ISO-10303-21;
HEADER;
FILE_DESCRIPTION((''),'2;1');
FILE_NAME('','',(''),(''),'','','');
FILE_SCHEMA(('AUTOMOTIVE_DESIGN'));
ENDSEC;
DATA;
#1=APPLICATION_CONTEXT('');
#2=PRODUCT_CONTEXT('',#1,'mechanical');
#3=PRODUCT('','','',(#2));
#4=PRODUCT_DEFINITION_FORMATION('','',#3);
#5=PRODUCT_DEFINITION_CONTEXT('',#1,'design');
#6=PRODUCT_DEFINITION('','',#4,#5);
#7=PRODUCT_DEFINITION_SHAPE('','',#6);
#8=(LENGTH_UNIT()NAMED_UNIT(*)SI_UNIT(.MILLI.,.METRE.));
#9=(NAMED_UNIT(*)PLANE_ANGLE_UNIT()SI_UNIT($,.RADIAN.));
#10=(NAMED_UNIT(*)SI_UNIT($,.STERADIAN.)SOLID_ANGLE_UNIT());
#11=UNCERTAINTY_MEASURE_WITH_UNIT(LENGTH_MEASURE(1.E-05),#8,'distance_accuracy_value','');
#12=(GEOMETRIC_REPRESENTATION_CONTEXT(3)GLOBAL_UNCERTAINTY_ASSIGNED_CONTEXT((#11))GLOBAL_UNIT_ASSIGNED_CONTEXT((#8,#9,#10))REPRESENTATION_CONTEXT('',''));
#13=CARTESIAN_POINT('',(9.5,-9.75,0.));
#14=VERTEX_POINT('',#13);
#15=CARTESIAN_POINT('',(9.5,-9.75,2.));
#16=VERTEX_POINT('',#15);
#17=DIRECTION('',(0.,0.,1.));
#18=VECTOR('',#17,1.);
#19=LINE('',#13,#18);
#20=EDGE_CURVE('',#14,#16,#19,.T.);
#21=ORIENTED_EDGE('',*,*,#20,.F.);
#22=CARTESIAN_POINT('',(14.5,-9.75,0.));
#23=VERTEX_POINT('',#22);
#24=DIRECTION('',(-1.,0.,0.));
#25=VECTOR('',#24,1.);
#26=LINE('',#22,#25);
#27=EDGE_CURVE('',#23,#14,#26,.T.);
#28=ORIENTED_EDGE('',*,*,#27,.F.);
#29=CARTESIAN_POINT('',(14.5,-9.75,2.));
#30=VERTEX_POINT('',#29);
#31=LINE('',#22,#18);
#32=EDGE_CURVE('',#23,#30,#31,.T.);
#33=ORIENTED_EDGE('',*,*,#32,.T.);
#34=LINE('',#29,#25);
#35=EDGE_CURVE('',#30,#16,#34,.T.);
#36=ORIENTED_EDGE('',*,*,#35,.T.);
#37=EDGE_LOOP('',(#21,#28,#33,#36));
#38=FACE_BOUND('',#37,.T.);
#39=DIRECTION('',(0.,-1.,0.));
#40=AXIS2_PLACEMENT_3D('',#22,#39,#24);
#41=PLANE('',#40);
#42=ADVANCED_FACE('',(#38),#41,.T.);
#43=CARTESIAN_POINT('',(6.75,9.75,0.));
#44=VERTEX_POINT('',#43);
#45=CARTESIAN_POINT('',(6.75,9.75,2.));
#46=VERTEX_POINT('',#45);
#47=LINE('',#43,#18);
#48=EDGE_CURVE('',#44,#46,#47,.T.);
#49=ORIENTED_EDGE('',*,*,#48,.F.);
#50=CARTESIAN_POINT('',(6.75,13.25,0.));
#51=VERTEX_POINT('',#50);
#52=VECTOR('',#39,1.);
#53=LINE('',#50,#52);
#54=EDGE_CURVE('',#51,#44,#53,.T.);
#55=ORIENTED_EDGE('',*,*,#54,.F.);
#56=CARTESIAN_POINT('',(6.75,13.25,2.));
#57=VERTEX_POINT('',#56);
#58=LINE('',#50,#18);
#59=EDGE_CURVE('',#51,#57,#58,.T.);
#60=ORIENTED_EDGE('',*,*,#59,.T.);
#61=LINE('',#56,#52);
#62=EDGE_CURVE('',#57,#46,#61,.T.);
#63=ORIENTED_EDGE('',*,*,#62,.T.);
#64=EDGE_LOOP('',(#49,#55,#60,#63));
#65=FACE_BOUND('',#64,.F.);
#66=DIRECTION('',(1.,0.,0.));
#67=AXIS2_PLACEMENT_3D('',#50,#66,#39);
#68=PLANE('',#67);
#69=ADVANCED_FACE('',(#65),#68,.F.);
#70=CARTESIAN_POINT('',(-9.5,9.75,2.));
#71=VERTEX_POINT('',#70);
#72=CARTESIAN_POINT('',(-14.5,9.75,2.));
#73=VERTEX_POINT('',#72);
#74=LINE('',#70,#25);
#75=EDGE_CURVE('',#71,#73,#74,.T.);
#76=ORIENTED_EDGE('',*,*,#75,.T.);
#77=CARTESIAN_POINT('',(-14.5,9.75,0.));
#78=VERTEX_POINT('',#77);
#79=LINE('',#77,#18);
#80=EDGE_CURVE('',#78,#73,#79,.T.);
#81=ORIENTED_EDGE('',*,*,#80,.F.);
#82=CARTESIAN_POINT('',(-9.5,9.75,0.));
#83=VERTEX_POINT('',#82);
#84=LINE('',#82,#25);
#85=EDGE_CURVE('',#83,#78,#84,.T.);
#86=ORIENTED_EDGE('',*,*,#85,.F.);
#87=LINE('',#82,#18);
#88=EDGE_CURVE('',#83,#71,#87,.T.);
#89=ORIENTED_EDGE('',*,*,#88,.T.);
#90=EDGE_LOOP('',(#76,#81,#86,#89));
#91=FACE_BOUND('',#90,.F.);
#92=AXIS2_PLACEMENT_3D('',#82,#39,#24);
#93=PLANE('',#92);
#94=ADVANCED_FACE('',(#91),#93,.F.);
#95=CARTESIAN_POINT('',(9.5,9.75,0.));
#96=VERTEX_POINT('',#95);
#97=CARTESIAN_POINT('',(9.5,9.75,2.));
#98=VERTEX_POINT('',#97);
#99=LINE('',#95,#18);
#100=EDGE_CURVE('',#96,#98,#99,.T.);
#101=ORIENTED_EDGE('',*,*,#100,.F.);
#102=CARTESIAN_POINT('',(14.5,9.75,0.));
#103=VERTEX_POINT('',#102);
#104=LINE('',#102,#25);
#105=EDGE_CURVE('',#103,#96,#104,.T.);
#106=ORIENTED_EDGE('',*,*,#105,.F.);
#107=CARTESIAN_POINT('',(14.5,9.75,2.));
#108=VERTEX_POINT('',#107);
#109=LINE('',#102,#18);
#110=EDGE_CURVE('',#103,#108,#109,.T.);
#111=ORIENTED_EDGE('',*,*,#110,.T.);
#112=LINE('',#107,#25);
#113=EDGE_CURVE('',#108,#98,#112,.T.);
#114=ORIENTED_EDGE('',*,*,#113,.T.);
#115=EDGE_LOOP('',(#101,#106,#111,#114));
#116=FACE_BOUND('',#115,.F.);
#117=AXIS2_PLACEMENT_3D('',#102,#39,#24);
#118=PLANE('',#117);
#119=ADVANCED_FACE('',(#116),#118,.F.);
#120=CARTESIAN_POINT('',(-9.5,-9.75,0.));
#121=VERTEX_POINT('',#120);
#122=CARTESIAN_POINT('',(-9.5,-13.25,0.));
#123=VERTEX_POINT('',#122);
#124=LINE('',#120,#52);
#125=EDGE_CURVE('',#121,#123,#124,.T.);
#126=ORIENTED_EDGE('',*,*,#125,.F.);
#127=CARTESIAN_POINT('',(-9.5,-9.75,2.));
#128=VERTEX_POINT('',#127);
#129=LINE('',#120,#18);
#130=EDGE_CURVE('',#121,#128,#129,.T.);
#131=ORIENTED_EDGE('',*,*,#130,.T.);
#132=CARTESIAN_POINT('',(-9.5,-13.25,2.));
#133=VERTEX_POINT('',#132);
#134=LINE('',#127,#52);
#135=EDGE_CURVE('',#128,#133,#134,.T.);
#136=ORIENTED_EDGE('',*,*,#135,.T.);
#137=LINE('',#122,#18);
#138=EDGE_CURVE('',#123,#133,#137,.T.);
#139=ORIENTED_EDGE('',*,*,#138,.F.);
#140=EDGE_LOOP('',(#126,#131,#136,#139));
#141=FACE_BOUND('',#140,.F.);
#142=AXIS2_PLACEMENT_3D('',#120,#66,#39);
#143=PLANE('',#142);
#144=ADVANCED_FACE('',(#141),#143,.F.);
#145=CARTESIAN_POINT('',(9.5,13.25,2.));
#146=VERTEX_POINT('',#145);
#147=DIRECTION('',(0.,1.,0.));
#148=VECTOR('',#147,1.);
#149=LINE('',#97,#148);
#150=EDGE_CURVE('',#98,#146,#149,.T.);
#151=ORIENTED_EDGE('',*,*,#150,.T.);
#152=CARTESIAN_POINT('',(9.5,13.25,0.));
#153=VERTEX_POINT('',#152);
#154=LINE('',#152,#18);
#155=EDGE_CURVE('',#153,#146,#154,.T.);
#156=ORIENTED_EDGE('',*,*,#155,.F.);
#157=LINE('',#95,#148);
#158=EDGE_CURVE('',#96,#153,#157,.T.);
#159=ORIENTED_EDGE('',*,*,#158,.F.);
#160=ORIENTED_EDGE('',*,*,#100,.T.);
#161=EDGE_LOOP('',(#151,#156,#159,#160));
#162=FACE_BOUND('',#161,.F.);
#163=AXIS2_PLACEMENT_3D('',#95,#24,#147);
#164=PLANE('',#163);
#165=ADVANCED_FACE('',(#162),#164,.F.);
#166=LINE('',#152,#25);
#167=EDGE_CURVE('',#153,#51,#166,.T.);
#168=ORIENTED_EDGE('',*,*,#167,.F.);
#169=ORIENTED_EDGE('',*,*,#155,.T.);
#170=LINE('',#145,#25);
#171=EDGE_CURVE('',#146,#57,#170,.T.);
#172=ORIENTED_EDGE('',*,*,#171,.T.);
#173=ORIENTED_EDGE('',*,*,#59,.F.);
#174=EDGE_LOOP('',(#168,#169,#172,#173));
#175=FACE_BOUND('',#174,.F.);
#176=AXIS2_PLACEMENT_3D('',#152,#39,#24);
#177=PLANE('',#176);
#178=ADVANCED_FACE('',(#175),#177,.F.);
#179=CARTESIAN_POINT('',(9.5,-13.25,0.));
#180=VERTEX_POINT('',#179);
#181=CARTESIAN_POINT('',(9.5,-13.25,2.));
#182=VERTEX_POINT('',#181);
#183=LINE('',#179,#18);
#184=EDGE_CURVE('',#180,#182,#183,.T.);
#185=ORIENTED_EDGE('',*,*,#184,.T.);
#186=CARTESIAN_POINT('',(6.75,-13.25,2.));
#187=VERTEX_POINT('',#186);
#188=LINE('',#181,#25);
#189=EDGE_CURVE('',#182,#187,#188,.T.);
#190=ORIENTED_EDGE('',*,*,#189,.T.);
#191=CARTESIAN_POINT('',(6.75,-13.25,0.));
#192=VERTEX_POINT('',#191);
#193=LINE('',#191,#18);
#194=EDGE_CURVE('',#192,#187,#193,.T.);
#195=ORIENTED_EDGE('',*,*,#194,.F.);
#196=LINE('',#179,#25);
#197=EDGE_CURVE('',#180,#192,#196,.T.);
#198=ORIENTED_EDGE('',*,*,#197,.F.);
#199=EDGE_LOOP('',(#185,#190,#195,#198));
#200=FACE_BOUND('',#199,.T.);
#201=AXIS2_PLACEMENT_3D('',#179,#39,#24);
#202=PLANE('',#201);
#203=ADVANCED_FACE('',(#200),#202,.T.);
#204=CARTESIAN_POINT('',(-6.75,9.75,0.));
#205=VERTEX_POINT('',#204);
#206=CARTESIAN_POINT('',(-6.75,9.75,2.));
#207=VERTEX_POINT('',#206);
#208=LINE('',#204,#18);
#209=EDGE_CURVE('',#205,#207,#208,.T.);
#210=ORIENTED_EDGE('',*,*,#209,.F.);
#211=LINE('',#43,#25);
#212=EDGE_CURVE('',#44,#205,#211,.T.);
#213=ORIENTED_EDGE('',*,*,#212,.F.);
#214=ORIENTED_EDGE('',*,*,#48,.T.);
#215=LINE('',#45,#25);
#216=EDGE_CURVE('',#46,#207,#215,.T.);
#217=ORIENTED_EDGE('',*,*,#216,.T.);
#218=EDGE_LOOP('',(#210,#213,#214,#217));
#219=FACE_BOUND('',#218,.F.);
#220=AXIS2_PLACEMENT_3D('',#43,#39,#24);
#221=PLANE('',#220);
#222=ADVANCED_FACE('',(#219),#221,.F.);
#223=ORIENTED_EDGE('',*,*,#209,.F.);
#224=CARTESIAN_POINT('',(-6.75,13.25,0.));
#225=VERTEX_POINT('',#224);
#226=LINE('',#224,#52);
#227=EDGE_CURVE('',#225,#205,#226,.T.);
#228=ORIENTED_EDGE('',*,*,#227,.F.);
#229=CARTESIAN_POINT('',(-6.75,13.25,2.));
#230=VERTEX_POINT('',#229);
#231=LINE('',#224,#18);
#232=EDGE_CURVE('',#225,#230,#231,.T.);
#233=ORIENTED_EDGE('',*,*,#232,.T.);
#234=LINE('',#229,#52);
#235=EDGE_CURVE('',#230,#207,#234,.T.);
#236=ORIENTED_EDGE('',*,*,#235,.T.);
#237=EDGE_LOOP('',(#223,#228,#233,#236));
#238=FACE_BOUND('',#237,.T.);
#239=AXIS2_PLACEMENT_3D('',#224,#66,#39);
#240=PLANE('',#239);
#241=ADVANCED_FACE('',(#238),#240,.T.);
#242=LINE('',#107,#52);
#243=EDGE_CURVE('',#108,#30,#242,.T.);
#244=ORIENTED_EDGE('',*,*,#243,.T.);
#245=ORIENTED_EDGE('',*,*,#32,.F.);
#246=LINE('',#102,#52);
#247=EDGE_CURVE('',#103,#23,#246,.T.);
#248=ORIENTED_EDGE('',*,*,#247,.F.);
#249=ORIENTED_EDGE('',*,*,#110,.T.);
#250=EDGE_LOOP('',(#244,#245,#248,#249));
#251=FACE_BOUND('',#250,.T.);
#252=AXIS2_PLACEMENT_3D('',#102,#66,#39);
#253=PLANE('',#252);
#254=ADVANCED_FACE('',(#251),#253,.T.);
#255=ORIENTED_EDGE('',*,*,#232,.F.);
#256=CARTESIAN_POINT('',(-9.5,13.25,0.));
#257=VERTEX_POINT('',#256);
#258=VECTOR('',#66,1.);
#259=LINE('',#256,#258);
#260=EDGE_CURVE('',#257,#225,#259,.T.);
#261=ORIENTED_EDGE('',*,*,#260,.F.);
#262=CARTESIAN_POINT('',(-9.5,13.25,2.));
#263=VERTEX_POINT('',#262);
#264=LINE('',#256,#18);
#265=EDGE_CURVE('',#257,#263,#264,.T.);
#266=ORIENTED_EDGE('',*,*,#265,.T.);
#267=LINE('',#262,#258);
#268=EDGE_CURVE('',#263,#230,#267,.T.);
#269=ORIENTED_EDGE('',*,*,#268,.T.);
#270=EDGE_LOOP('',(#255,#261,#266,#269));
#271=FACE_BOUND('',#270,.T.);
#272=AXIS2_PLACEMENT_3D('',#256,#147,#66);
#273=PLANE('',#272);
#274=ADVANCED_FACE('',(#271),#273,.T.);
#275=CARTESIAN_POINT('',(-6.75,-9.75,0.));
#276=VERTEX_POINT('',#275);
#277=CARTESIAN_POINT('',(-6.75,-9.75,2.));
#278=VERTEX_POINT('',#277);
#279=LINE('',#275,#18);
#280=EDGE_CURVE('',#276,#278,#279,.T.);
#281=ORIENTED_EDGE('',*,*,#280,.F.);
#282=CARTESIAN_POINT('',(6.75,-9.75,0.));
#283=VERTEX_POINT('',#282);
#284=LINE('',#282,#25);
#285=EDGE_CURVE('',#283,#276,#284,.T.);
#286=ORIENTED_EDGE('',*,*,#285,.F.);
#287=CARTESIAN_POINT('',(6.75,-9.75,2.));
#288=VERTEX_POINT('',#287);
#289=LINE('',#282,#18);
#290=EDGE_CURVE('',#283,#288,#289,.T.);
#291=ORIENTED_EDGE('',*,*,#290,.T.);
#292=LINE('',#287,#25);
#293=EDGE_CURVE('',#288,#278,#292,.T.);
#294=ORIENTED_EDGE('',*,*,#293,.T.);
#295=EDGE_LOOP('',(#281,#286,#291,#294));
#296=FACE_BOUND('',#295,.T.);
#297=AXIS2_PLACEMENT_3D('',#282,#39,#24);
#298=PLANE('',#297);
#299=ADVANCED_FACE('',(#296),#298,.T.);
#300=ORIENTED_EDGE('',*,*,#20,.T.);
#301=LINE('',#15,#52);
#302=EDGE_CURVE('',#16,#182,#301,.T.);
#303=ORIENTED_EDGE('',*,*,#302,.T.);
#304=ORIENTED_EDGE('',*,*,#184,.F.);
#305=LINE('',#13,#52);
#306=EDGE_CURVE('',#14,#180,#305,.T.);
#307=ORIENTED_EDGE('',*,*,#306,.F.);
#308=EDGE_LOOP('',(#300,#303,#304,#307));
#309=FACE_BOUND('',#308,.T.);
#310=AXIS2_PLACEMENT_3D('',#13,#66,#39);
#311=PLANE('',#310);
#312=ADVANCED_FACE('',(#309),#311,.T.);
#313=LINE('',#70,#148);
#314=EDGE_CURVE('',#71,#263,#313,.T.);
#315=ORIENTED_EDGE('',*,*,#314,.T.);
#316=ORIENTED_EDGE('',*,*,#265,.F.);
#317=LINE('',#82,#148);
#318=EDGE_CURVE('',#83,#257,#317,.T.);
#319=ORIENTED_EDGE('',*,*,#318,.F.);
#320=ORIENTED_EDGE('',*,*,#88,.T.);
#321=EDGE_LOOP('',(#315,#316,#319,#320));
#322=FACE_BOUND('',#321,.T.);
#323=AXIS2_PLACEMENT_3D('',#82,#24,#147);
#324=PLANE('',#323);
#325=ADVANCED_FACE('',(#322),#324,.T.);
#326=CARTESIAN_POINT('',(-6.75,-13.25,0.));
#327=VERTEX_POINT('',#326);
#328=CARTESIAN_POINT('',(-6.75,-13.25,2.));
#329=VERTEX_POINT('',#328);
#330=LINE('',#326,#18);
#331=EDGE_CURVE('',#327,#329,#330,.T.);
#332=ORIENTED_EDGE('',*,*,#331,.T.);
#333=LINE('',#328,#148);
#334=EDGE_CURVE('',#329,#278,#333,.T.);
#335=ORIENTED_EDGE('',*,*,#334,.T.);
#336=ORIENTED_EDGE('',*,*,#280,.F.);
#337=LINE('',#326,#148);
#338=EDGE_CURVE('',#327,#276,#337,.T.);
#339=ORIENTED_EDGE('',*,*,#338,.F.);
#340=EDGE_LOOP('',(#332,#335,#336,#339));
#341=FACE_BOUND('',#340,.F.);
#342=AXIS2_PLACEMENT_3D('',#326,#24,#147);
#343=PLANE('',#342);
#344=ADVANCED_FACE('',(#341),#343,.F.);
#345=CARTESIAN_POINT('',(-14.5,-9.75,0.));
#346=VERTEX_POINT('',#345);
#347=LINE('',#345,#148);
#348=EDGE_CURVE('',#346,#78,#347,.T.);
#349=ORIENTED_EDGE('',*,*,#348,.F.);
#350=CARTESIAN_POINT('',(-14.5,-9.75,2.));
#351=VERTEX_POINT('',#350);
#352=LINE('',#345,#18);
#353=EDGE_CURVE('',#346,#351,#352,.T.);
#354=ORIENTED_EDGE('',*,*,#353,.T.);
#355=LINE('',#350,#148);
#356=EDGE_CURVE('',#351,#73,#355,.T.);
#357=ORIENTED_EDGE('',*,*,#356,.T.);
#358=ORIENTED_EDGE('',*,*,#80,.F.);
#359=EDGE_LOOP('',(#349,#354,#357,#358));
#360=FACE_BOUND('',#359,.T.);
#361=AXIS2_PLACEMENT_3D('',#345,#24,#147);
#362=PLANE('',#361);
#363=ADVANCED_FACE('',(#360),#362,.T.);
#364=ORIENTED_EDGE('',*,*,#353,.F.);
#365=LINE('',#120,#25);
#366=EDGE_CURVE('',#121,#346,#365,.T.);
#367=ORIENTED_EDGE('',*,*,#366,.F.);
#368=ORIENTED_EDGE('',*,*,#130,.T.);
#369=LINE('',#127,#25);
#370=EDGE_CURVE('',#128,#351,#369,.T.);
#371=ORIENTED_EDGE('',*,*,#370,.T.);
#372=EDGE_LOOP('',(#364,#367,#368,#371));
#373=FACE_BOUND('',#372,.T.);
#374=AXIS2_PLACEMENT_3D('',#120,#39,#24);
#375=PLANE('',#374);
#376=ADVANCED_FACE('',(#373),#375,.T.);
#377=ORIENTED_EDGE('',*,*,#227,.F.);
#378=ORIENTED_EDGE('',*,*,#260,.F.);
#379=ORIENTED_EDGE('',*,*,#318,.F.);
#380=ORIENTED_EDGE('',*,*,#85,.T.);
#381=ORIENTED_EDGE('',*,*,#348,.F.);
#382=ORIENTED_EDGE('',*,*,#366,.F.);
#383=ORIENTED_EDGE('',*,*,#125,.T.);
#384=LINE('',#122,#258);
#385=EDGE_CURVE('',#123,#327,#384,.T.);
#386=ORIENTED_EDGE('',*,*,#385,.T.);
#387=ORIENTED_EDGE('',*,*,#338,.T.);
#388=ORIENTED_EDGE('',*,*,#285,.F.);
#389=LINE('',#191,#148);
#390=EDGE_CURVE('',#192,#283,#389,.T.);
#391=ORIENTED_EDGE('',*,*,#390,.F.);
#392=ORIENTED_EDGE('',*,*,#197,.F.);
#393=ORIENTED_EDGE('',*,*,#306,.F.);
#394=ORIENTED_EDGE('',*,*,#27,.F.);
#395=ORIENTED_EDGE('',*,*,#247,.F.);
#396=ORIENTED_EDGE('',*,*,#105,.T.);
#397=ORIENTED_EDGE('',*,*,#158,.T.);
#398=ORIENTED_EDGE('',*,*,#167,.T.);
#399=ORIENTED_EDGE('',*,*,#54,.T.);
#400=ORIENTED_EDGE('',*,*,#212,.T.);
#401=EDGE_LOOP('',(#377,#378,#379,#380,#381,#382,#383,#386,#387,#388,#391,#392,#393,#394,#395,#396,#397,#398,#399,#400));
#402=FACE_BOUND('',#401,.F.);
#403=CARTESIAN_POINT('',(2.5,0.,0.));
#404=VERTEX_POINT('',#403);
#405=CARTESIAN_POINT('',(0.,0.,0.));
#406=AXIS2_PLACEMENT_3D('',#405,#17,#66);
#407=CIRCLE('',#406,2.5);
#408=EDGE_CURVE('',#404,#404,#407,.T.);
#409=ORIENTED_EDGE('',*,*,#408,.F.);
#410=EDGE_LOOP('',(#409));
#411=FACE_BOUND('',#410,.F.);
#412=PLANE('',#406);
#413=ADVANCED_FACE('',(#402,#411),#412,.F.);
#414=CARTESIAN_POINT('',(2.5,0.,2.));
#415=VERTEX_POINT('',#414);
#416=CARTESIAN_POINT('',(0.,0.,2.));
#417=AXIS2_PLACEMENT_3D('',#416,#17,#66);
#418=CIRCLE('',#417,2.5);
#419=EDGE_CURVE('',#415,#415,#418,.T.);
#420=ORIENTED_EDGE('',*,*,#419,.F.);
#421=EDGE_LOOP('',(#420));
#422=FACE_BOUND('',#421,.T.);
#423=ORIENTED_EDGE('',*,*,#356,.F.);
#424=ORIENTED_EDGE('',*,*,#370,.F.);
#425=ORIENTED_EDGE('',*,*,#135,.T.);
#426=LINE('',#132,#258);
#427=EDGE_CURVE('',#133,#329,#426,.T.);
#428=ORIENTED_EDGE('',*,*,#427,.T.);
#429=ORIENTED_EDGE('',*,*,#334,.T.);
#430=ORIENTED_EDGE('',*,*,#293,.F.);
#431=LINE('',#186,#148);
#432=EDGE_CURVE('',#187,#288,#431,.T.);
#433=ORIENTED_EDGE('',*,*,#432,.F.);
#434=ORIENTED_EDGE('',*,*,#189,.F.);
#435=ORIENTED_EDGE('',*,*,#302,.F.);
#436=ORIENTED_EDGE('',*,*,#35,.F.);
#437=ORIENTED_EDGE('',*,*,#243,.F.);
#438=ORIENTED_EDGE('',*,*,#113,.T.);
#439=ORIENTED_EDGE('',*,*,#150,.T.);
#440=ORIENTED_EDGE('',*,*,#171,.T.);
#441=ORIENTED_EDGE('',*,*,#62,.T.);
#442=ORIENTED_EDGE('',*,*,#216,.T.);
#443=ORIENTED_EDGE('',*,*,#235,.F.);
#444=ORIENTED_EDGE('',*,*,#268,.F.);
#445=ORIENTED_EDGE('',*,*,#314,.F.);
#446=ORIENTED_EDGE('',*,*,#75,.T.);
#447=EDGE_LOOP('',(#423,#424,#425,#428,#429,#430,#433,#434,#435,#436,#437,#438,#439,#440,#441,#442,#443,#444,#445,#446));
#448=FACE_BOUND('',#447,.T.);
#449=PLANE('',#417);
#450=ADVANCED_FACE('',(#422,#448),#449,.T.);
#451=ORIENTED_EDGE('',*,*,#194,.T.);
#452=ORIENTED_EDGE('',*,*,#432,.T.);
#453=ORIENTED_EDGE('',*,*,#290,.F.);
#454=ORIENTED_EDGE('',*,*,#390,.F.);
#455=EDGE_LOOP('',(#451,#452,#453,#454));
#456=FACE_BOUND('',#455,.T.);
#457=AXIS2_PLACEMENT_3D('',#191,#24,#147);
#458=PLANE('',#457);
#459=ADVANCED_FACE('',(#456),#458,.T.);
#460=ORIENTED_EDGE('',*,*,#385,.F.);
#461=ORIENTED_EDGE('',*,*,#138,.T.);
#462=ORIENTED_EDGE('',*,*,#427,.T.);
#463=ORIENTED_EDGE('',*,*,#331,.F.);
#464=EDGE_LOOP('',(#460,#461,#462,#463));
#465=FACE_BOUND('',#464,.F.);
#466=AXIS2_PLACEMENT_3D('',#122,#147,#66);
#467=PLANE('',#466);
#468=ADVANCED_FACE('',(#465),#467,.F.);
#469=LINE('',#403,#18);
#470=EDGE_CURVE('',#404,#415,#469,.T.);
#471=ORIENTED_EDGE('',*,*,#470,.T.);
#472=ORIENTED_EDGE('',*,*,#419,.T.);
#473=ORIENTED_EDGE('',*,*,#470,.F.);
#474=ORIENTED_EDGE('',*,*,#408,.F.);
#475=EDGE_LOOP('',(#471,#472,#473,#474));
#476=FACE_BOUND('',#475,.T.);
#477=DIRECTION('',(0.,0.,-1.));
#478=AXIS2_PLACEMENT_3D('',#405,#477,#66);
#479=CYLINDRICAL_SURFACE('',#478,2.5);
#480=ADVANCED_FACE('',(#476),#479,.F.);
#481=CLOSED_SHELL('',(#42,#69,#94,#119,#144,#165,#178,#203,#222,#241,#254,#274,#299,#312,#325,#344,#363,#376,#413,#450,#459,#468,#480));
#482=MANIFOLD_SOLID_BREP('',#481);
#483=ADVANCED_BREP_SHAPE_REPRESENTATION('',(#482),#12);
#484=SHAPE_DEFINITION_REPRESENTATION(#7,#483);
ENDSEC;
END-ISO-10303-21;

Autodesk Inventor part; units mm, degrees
ref_plane "YZ Plane" through (0, 0, 0) normal (1, 0, 0) x (0, 1, 0)
ref_plane "XZ Plane" through (0, 0, 0) normal (0, 1, 0) x (-1, 0, 0)
ref_plane "XY Plane" through (0, 0, 0) normal (0, 0, 1) x (1, 0, 0)
sketch "Эскиз1" plane through (0, 0, 0) normal (0, 0, 1) x (1, 0, 0)
  line L0 (14.5, 9.75) -> (14.5, -9.75)
  line L1 (-14.5, -9.75) -> (-14.5, 9.75)
  line L2 (9.5, 9.75) -> (9.5, 13.25)
  line L3 (9.5, 13.25) -> (6.75, 13.25)
  line L4 (6.75, 13.25) -> (6.75, 9.75)
  line L5 (-9.5, 9.75) -> (-9.5, 13.25)
  line L6 (-9.5, 13.25) -> (-6.75, 13.25)
  line L7 (-6.75, 13.25) -> (-6.75, 9.75)
  line L8 (9.5, -9.75) -> (9.5, -13.25)
  line L9 (9.5, -13.25) -> (6.75, -13.25)
  line L10 (6.75, -13.25) -> (6.75, -9.75)
  line L11 (-6.75, -13.25) -> (-6.75, -9.75)
  line L12 (-9.5, -13.25) -> (-6.75, -13.25)
  line L13 (-9.5, -9.75) -> (-9.5, -13.25)
  line L14 (14.5, 9.75) -> (9.5, 9.75)
  line L15 (6.75, 9.75) -> (-6.75, 9.75)
  line L16 (-9.5, 9.75) -> (-14.5, 9.75)
  line L17 (-9.5, -9.75) -> (-14.5, -9.75)
  line L18 (14.5, -9.75) -> (9.5, -9.75)
  line L19 (6.75, -9.75) -> (-6.75, -9.75)
  circle A0 centre (0, 0) radius 2.5
  point P0 (-14.5, 0)
  dimension "d0" = 29
  dimension "d1" = 19.5
  dimension "d2" = 5
  dimension "d3" = 3.5
  dimension "d4" = 2.75
  dimension "d7" = 5
extrude "Выдавливание1" add sketch "Эскиз1" along normal blind 2
properties part number "Крепеж колеса"
